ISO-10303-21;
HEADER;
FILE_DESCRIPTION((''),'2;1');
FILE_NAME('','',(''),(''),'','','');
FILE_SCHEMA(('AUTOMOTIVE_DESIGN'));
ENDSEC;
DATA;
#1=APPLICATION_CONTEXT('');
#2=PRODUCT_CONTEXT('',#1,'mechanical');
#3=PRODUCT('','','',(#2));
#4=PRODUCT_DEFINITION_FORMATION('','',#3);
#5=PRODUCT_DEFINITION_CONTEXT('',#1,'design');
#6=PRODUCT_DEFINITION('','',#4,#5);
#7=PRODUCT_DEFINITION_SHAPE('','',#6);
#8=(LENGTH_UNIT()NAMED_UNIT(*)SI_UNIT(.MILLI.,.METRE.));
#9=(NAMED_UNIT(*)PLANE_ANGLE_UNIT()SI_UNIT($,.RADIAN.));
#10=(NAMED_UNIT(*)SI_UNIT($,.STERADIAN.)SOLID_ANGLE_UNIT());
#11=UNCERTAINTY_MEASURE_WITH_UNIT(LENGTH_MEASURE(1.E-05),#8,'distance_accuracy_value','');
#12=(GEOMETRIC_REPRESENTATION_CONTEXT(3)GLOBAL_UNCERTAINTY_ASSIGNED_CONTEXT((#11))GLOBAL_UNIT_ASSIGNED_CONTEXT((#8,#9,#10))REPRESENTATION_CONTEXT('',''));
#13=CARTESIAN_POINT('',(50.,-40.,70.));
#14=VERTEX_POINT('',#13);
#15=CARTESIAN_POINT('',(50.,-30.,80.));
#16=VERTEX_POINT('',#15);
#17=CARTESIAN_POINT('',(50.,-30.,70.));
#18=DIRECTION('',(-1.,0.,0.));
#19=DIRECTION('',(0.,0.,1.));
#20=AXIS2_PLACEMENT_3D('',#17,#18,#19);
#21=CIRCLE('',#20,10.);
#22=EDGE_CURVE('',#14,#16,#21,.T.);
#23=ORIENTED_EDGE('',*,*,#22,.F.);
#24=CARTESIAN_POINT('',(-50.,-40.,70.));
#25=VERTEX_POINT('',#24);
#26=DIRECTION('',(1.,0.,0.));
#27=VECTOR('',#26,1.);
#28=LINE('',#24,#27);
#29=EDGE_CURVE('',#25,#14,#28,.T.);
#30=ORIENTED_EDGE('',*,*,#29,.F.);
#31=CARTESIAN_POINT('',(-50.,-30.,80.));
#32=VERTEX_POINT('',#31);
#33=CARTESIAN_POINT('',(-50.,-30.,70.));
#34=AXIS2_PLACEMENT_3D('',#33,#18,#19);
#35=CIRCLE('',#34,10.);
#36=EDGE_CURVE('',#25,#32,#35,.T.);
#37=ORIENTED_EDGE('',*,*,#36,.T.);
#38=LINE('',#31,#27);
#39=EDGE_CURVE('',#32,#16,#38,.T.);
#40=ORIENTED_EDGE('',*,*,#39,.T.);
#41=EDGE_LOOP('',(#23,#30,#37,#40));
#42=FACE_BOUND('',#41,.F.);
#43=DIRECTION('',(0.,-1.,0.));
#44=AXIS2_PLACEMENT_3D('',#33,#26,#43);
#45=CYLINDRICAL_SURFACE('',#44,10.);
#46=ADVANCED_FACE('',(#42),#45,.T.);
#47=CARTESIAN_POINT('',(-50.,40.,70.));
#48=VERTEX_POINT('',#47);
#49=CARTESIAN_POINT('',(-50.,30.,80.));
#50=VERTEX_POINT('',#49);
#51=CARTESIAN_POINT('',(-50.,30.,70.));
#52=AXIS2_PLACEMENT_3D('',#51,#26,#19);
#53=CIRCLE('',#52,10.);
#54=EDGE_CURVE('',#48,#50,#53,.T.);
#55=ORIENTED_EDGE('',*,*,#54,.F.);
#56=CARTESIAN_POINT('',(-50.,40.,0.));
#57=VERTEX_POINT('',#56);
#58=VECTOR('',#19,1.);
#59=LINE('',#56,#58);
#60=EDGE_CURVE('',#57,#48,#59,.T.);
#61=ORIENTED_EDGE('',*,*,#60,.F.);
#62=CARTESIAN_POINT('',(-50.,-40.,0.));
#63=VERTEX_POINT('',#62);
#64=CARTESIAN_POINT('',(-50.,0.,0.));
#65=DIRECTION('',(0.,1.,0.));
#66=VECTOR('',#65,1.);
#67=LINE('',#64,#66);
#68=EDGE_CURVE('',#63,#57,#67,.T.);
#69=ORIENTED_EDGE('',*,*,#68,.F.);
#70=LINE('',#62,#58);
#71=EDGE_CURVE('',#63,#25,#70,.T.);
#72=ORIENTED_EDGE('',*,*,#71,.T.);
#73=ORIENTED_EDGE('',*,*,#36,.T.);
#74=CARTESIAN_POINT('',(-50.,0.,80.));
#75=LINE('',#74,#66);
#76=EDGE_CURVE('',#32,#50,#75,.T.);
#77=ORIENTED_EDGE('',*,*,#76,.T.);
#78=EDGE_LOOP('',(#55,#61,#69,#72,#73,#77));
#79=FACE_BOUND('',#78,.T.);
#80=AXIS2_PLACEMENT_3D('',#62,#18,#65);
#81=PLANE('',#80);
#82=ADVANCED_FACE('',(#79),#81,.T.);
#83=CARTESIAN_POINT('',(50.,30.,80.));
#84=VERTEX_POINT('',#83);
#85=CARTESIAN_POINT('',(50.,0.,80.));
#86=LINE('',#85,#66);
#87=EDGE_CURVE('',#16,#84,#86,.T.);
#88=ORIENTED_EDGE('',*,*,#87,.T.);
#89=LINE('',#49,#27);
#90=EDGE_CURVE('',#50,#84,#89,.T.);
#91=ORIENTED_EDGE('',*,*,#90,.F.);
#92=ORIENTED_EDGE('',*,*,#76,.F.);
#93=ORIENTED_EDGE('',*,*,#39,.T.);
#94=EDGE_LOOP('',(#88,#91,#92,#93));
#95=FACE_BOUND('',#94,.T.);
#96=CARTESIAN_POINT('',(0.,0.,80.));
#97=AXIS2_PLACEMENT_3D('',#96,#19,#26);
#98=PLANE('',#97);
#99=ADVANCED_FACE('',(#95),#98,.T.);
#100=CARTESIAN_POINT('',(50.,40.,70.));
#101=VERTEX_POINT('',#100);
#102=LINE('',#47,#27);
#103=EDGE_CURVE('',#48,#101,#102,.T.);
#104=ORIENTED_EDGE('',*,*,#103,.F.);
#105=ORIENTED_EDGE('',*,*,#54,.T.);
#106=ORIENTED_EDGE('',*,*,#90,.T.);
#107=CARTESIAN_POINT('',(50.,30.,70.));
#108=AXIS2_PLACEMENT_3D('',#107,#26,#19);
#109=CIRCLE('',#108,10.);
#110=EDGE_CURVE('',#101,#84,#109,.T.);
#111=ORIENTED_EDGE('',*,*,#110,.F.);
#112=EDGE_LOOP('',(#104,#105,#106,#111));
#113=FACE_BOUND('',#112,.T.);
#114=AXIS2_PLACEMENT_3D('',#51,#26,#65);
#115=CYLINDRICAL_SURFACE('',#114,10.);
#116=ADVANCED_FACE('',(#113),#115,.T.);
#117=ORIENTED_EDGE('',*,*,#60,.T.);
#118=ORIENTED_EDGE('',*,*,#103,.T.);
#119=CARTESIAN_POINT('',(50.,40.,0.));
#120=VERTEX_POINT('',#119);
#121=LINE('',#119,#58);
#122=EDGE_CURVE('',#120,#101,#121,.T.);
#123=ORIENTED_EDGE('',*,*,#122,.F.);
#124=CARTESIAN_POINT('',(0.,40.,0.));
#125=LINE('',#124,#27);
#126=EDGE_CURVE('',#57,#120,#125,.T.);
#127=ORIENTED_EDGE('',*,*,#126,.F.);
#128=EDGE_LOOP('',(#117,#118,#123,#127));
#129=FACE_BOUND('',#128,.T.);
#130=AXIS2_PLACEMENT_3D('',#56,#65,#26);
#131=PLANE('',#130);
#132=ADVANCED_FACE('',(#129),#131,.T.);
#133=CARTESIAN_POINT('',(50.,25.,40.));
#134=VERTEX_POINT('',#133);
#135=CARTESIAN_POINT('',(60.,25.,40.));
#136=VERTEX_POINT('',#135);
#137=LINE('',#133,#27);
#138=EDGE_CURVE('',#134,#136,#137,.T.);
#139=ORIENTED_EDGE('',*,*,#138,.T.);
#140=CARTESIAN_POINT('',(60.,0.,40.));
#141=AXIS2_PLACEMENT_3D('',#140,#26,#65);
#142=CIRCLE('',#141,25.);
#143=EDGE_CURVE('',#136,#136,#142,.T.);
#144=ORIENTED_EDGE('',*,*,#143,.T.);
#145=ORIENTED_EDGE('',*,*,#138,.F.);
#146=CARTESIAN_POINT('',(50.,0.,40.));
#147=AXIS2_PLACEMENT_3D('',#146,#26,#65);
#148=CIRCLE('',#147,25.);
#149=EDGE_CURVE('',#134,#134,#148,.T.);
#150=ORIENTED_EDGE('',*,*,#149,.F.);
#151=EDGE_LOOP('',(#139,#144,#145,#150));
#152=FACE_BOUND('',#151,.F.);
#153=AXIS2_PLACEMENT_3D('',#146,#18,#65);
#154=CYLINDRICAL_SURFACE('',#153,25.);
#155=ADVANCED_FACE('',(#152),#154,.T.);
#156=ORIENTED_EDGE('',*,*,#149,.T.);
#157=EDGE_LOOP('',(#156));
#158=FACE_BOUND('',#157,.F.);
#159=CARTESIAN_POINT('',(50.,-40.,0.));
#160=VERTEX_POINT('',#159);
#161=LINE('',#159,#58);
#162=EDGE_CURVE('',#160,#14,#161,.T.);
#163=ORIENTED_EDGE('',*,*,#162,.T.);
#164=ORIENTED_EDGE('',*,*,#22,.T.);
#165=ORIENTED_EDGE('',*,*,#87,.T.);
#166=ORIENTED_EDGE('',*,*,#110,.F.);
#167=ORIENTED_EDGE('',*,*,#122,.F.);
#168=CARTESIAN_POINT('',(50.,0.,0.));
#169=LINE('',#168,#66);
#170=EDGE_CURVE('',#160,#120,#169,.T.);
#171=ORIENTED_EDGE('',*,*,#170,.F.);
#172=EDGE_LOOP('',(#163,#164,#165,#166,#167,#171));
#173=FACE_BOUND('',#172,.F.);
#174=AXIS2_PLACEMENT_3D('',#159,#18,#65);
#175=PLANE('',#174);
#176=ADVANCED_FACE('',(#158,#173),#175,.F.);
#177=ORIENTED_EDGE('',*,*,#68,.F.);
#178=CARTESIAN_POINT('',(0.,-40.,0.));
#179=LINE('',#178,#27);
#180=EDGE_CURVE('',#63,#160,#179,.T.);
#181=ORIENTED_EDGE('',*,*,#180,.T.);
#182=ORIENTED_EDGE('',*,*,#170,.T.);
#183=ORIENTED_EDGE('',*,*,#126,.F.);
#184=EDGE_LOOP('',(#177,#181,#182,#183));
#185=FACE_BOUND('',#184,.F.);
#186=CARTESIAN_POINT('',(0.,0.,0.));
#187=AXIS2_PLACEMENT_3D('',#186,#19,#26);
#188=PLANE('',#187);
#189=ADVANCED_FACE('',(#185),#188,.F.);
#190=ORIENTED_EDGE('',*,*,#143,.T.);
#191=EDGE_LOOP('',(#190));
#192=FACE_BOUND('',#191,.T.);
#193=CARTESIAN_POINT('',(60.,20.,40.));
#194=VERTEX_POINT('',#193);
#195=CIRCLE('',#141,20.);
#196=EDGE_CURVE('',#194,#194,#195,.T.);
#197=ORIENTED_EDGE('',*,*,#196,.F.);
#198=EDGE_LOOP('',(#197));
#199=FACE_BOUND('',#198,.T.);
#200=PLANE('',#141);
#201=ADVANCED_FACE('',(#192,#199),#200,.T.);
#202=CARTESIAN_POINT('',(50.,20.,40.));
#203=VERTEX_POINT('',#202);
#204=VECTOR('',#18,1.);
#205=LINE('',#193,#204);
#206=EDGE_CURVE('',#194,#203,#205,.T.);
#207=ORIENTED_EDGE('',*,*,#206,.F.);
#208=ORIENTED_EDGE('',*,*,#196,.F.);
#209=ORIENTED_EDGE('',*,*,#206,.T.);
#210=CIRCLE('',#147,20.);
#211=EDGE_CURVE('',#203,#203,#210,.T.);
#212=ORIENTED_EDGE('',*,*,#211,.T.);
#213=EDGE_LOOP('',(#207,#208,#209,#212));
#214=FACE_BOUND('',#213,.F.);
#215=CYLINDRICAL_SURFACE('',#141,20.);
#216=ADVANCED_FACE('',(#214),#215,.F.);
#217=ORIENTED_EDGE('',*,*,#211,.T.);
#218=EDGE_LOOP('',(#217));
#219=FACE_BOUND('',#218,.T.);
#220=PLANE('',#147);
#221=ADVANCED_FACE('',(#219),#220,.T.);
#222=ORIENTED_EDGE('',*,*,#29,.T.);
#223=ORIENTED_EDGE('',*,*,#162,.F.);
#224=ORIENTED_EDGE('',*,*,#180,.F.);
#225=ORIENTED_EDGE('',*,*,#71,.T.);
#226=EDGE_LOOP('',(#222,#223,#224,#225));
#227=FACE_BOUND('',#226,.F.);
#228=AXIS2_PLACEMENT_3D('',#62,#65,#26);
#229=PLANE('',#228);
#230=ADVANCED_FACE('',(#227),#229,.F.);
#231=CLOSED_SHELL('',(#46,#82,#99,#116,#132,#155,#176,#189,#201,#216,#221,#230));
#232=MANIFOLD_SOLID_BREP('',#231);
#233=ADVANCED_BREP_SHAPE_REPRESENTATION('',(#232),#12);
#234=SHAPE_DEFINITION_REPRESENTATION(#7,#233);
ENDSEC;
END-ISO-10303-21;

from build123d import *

# Parameters (mm, degrees)
F0_W     = 100
F0_H     = 80
F1_DEPTH = 80
F2_R     = 10
F3_R     = 25
F4_DEPTH = 10
F5_R     = 20
F6_DEPTH = 10


with BuildPart() as f1:
    # F0 (on Top) → F1 (new body)
    with BuildSketch(Plane.XY):
        Rectangle(F0_W, F0_H)
    extrude(amount=F1_DEPTH)

    # F2
    f2_edges = [f1.edges().sort_by_distance(p)[0] for p in [
        (0, -40, 80),
        (0, 40, 80),
    ]]
    fillet(f2_edges, radius=F2_R)

    # F3 (on face) → F4 (join)
    with BuildSketch(Plane.YZ.offset(50)):
        with Locations((0, 40)):
            Circle(F3_R)
    extrude(amount=F4_DEPTH)

    # F5 (on face) → F6 (cut)
    with BuildSketch(Plane.YZ.offset(60)):
        with Locations((0, 40)):
            Circle(F5_R)
    extrude(amount=-F6_DEPTH, mode=Mode.SUBTRACT)


solid = f1.part
